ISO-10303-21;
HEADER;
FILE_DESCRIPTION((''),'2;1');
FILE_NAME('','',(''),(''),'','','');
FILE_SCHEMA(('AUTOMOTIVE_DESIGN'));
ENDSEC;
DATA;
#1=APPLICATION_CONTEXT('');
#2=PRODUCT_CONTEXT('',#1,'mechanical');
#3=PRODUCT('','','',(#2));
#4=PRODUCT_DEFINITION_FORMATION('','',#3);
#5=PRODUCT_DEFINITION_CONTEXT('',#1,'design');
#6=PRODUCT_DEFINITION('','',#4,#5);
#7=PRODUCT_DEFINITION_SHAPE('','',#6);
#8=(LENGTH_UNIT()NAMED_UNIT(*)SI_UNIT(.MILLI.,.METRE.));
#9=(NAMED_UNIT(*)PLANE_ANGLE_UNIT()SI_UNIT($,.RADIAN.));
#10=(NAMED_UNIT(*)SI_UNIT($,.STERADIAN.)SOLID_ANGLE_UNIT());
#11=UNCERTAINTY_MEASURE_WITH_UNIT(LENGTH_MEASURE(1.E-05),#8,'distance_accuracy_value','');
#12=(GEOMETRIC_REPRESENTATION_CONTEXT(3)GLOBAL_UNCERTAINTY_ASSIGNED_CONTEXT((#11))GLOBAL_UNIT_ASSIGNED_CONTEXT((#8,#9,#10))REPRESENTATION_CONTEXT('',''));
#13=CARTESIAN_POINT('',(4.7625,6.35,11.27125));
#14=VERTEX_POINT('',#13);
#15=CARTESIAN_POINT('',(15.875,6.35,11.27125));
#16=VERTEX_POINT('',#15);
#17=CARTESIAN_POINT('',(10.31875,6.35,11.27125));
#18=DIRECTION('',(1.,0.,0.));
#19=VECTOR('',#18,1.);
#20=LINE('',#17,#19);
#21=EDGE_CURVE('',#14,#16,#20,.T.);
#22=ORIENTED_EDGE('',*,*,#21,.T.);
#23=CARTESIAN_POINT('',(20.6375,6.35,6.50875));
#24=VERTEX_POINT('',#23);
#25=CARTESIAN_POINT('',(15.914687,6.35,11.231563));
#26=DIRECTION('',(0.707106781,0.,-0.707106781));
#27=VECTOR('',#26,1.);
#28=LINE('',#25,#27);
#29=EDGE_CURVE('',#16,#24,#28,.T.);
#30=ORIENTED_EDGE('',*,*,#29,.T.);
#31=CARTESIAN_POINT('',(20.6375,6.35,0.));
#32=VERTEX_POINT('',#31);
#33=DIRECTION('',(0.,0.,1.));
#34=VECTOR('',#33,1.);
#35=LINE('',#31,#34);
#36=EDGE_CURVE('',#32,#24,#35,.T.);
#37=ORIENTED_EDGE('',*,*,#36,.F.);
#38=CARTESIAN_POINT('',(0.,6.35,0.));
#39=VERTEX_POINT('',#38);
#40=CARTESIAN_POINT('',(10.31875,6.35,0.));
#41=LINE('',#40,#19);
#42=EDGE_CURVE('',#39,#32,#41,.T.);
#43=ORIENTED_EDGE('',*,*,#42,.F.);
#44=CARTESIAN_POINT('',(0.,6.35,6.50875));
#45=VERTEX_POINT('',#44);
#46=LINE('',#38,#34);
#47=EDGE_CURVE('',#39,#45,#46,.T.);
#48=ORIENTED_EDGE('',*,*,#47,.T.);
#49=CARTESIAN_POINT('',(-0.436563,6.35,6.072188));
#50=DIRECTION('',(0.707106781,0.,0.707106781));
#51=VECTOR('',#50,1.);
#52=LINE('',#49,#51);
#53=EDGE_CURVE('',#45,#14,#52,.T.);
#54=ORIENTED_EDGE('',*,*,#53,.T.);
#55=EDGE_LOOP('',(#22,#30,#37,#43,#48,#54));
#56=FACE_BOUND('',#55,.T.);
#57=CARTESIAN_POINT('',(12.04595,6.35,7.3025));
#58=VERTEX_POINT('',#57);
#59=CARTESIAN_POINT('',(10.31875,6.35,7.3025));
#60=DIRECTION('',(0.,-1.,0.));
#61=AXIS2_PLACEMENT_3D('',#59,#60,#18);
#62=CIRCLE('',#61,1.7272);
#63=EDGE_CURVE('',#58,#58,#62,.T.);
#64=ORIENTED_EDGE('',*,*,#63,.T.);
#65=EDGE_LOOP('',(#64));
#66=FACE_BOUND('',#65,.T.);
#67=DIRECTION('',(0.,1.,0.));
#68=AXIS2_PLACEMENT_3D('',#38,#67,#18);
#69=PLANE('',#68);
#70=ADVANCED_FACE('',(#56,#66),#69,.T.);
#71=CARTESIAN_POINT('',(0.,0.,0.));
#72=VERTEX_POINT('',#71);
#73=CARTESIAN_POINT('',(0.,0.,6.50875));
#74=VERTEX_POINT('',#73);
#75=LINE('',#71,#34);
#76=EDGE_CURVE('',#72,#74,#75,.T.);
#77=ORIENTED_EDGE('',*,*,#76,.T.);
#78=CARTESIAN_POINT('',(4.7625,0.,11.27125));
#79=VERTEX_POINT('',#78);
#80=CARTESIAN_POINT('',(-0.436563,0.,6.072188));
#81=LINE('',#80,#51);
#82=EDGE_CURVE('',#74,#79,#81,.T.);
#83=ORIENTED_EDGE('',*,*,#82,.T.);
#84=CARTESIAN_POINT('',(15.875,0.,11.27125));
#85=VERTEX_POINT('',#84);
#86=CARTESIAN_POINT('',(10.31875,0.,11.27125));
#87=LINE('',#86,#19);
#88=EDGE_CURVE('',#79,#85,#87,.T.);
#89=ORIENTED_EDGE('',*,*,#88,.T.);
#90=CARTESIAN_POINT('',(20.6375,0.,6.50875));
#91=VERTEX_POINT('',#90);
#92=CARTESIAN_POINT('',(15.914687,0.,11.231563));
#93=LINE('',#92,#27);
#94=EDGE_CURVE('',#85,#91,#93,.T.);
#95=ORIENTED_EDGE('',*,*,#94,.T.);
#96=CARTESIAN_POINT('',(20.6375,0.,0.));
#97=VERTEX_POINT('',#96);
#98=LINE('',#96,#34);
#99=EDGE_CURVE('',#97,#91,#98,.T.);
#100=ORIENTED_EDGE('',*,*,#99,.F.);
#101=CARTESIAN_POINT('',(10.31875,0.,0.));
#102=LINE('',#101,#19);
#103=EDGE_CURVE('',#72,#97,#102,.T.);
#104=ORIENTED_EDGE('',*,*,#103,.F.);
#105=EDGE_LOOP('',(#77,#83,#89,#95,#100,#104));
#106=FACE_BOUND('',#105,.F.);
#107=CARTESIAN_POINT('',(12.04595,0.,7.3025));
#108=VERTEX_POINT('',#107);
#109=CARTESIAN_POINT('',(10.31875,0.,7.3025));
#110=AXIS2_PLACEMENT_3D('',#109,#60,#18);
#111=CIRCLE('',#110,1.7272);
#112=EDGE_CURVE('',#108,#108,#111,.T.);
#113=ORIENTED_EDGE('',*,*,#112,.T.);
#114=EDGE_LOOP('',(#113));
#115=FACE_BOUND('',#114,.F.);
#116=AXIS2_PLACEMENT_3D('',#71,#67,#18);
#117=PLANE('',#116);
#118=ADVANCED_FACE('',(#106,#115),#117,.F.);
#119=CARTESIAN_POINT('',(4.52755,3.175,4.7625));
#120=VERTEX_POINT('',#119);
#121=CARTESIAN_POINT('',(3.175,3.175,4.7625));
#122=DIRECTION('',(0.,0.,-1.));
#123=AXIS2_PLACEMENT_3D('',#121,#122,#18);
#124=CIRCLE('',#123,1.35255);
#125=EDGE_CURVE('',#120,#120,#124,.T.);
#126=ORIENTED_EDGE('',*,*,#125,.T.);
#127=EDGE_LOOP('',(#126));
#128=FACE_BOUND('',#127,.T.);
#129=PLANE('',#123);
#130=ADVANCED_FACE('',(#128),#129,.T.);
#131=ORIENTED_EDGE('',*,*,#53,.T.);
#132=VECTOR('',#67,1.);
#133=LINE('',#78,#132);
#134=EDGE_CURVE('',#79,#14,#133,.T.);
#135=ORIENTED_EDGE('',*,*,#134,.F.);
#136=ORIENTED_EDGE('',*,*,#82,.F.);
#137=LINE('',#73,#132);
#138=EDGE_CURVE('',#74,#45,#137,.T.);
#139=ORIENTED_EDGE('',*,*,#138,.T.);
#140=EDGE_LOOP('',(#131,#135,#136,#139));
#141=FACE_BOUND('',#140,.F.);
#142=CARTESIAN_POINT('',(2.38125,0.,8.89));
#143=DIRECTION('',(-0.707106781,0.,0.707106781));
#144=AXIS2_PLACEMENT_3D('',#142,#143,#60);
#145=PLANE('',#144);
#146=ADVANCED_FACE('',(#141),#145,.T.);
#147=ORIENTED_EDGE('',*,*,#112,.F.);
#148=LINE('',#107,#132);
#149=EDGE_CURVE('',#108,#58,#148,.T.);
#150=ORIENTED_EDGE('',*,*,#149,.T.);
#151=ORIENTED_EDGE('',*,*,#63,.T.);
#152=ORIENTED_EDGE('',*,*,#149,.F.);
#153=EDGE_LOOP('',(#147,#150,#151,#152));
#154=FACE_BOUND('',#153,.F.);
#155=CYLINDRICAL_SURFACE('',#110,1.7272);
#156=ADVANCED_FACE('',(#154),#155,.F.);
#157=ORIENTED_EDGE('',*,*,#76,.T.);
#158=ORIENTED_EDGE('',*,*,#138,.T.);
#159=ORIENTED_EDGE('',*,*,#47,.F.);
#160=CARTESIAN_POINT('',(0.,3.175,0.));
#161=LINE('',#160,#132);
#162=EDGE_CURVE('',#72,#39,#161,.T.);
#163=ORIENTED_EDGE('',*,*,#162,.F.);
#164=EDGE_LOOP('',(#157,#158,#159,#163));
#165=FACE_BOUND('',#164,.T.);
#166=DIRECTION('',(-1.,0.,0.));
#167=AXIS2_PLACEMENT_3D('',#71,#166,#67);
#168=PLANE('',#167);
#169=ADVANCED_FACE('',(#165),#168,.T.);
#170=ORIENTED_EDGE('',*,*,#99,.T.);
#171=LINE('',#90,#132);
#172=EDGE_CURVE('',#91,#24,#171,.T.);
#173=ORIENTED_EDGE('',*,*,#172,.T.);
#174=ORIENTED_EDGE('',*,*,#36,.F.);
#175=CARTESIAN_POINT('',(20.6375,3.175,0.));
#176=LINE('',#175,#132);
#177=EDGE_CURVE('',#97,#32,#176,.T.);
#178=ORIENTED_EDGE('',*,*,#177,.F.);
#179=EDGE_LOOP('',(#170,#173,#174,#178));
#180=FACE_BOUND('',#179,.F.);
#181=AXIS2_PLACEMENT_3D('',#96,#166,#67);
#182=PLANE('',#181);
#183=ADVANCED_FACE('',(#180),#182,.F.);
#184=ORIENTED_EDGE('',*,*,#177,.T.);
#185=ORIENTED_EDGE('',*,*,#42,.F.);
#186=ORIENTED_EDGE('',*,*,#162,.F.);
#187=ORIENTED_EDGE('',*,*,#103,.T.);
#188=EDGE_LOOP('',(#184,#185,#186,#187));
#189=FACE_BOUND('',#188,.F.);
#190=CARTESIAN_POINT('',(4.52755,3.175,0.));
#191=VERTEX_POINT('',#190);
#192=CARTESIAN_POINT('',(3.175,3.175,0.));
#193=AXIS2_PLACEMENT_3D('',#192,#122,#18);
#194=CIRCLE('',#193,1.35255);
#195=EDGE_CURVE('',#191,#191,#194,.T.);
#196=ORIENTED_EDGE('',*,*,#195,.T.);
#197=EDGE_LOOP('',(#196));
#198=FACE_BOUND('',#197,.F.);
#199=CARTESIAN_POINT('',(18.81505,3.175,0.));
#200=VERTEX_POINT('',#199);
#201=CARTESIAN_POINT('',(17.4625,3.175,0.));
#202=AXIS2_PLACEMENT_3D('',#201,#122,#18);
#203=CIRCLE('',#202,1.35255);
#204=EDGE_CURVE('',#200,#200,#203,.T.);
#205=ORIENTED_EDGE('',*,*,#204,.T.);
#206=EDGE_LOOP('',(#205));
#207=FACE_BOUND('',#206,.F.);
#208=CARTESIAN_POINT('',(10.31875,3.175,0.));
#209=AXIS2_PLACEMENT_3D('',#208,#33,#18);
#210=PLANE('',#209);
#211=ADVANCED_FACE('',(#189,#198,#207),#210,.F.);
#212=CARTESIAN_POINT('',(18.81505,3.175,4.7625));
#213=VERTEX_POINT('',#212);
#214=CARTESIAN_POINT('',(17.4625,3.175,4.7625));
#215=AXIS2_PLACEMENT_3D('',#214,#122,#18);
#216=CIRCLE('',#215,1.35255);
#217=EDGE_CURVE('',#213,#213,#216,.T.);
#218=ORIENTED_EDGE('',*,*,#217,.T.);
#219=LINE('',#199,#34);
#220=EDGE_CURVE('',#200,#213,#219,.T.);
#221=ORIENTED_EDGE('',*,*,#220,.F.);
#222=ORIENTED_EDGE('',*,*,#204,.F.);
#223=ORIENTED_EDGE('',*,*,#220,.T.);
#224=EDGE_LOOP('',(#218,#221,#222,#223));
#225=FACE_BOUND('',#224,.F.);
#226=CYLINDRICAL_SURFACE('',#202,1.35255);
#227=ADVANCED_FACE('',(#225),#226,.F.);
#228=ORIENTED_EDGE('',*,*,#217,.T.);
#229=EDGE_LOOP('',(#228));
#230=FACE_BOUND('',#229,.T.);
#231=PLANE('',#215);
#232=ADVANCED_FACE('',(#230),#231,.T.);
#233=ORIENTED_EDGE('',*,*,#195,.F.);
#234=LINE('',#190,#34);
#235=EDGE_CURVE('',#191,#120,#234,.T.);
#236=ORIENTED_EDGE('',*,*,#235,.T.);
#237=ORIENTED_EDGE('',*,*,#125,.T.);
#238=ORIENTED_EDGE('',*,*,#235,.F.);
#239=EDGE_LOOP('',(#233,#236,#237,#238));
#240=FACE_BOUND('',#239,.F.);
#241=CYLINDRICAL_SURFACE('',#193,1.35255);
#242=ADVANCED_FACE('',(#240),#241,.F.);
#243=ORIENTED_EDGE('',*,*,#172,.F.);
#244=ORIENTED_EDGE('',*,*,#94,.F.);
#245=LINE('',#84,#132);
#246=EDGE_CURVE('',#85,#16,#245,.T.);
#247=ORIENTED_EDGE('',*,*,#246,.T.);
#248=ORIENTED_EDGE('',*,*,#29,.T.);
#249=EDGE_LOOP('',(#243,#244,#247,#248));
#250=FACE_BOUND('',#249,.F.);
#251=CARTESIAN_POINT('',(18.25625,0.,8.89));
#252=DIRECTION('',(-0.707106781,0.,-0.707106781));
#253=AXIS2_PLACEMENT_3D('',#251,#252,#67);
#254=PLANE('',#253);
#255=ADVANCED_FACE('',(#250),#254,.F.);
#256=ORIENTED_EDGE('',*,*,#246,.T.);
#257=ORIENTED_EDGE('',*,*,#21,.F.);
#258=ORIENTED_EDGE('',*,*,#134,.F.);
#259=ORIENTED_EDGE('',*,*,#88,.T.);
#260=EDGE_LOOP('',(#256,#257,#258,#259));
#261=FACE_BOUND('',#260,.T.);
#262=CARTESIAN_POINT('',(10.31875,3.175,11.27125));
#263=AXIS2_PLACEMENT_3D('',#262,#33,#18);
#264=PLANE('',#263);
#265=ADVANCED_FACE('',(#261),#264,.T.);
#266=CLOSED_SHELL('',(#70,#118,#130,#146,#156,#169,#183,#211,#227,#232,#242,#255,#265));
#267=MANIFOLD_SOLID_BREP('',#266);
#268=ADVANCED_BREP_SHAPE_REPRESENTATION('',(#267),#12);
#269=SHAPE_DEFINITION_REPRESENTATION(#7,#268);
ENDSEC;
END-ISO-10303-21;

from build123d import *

# Parameters (mm, degrees)
F0_W     = 20.6375
F0_H     = 6.35
F1_DEPTH = 11.27125
F2_R     = 1.7272
F3_DEPTH = 6.35
F4_R     = 1.35255
F5_DEPTH = 4.7625
F6_SIZE  = 4.7625


with BuildPart() as f1:
    # F0 (on Top) → F1 (new body)
    with BuildSketch(Plane.XY):
        with Locations((10.31875, 3.175)):
            Rectangle(F0_W, F0_H)
    extrude(amount=F1_DEPTH)

    # F2 (on face) → F3 (cut, through all)
    with BuildSketch(Plane.XZ):
        with Locations((10.31875, 7.3025)):
            Circle(F2_R)
    extrude(amount=-F3_DEPTH, mode=Mode.SUBTRACT)

    # F4 (on face) → F5 (cut)
    with BuildSketch(Plane(origin=(0, 0, 0), x_dir=(1, 0, 0), z_dir=(0, 0, -1))):
        with Locations((3.175, -3.175)):
            Circle(F4_R)
        with Locations((17.4625, -3.175)):
            Circle(F4_R)
    extrude(amount=-F5_DEPTH, mode=Mode.SUBTRACT)

    # F6
    f6_edges = [f1.edges().sort_by_distance(p)[0] for p in [
        (0, 3.175, 11.27125),
        (20.6375, 3.175, 11.27125),
    ]]
    chamfer(f6_edges, length=F6_SIZE)


solid = f1.part
